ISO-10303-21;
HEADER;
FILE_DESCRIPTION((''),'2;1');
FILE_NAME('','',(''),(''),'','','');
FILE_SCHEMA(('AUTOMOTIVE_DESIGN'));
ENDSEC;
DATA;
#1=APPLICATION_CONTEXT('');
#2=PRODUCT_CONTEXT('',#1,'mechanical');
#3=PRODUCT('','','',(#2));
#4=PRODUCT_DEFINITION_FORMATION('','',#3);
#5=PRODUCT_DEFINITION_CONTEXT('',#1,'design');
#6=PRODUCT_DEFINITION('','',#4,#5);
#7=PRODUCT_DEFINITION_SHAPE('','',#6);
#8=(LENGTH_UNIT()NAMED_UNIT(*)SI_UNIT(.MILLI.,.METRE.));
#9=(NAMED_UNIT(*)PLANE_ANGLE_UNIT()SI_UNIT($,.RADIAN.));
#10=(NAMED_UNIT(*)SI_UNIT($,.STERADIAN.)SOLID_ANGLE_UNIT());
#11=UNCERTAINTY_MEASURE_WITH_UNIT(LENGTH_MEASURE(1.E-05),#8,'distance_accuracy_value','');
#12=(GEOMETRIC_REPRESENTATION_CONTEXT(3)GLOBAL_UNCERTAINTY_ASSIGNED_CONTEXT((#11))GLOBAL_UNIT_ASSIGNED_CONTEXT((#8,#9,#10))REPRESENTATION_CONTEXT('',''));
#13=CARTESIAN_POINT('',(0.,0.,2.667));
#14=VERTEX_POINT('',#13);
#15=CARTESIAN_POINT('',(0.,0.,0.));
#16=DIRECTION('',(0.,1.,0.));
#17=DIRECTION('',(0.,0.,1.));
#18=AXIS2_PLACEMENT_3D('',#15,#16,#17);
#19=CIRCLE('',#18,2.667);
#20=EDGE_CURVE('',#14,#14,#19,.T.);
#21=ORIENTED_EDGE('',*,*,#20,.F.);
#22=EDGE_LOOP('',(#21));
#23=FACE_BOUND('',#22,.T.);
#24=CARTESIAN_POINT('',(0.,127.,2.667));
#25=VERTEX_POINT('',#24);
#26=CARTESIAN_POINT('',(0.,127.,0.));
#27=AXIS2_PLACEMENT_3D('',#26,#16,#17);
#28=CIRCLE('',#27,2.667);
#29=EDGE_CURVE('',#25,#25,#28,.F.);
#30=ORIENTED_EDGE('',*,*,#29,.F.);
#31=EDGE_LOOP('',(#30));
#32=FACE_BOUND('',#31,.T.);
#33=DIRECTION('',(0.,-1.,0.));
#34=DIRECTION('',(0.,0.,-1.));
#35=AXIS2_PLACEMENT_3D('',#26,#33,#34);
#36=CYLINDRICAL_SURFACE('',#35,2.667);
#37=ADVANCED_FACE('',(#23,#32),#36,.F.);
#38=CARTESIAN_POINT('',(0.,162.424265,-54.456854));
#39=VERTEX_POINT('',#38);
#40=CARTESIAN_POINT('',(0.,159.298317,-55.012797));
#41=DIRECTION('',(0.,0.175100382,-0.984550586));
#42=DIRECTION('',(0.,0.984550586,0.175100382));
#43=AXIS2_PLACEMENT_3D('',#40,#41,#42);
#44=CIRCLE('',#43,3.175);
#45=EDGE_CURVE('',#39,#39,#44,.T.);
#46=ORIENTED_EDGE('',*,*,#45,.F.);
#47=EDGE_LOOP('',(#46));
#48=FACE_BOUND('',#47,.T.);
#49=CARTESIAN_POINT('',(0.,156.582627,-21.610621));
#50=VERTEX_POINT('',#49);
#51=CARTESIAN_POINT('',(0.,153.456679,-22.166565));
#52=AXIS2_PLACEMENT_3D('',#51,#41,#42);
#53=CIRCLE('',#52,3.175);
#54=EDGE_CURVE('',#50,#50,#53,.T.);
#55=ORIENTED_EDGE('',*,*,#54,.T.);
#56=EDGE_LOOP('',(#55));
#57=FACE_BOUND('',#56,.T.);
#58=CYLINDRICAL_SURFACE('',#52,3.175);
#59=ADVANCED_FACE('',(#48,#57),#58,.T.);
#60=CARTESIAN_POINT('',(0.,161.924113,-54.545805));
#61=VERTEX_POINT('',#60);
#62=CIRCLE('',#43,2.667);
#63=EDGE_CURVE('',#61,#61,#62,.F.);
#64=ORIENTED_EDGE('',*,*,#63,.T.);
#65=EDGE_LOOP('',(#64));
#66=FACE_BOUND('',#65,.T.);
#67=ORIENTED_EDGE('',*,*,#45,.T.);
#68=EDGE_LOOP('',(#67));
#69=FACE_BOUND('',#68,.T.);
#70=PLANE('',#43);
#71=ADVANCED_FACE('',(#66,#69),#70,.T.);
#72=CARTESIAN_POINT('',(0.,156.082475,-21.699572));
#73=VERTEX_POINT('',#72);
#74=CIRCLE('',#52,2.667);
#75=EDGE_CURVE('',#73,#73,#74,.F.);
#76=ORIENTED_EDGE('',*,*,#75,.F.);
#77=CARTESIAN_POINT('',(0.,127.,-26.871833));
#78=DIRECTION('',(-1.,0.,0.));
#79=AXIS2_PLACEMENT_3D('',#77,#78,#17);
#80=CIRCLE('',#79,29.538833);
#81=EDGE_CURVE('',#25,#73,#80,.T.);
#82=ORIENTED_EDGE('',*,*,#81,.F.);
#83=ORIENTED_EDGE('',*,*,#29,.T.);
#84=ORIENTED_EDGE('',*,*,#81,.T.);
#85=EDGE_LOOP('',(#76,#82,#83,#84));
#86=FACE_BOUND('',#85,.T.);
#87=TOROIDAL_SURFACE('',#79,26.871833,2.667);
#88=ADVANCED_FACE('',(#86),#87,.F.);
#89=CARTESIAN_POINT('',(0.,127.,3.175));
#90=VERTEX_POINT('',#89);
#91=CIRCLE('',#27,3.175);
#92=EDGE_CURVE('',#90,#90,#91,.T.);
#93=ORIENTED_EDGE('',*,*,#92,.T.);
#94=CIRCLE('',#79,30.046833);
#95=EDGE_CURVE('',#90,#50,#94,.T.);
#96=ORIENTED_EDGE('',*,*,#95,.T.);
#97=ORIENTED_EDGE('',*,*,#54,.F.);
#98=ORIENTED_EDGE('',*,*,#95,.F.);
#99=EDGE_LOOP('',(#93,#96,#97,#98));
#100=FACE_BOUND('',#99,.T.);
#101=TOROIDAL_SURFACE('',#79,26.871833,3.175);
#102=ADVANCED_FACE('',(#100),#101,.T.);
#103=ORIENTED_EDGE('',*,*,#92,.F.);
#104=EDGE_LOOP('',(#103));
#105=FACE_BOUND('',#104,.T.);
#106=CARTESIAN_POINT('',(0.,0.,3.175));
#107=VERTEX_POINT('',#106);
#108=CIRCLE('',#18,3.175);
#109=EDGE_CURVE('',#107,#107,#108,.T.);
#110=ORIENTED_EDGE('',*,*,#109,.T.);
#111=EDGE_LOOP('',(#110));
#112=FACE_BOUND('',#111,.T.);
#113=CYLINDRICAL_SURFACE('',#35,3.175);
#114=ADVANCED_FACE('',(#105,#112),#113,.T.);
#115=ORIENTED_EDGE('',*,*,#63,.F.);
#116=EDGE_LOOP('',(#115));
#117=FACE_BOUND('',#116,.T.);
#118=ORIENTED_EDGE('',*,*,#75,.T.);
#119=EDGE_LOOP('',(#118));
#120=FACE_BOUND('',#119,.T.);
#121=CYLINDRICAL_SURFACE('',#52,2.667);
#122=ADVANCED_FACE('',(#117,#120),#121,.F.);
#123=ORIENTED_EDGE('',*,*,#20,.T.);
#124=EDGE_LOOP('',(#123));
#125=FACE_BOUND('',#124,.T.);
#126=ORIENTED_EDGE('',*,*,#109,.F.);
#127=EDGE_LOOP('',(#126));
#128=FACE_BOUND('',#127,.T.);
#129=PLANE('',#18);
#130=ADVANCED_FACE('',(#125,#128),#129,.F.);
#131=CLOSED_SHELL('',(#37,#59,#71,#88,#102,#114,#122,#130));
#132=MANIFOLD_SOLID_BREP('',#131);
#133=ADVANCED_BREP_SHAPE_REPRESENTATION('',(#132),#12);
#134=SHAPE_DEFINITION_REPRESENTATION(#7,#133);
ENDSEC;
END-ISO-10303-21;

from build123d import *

# Parameters (mm, degrees)
SKETCH1_R           = 3.175
SKETCH1_R_2         = 2.667
BOSS_EXTRUDE1_DEPTH = 127
SKETCH3_R           = 3.175
SKETCH3_R_2         = 2.667


with BuildPart() as part:
    # Sketch1 → Boss-Extrude1 (new body)
    with BuildSketch(Plane(origin=(0, 0, 0), x_dir=(1, 0, 0), z_dir=(0, 1, 0))):
        Circle(SKETCH1_R)
        Circle(SKETCH1_R_2, mode=Mode.SUBTRACT)
    extrude(amount=BOSS_EXTRUDE1_DEPTH)

    # Sweep1: sweep along a path in Sketch2
    with BuildLine(Plane(origin=(0, 0, 0), x_dir=(0, 0, -1), z_dir=(1, 0, 0))) as sweep1_path:
        Line((55.012797254, 159.298316562), (22.166564651, 153.456678788))
        ThreePointArc((22.166564651, 153.456678788), (6.2740832, 144.25769713), (0, 127))
    # Sketch3 → Sweep1 (sweep)
    with BuildSketch(Plane(origin=(0, 127, 0), x_dir=(1, 0, 0), z_dir=(0, 1, 0))):
        Circle(SKETCH3_R)
        Circle(SKETCH3_R_2, mode=Mode.SUBTRACT)
    sweep(path=sweep1_path.line)


solid = part.part
